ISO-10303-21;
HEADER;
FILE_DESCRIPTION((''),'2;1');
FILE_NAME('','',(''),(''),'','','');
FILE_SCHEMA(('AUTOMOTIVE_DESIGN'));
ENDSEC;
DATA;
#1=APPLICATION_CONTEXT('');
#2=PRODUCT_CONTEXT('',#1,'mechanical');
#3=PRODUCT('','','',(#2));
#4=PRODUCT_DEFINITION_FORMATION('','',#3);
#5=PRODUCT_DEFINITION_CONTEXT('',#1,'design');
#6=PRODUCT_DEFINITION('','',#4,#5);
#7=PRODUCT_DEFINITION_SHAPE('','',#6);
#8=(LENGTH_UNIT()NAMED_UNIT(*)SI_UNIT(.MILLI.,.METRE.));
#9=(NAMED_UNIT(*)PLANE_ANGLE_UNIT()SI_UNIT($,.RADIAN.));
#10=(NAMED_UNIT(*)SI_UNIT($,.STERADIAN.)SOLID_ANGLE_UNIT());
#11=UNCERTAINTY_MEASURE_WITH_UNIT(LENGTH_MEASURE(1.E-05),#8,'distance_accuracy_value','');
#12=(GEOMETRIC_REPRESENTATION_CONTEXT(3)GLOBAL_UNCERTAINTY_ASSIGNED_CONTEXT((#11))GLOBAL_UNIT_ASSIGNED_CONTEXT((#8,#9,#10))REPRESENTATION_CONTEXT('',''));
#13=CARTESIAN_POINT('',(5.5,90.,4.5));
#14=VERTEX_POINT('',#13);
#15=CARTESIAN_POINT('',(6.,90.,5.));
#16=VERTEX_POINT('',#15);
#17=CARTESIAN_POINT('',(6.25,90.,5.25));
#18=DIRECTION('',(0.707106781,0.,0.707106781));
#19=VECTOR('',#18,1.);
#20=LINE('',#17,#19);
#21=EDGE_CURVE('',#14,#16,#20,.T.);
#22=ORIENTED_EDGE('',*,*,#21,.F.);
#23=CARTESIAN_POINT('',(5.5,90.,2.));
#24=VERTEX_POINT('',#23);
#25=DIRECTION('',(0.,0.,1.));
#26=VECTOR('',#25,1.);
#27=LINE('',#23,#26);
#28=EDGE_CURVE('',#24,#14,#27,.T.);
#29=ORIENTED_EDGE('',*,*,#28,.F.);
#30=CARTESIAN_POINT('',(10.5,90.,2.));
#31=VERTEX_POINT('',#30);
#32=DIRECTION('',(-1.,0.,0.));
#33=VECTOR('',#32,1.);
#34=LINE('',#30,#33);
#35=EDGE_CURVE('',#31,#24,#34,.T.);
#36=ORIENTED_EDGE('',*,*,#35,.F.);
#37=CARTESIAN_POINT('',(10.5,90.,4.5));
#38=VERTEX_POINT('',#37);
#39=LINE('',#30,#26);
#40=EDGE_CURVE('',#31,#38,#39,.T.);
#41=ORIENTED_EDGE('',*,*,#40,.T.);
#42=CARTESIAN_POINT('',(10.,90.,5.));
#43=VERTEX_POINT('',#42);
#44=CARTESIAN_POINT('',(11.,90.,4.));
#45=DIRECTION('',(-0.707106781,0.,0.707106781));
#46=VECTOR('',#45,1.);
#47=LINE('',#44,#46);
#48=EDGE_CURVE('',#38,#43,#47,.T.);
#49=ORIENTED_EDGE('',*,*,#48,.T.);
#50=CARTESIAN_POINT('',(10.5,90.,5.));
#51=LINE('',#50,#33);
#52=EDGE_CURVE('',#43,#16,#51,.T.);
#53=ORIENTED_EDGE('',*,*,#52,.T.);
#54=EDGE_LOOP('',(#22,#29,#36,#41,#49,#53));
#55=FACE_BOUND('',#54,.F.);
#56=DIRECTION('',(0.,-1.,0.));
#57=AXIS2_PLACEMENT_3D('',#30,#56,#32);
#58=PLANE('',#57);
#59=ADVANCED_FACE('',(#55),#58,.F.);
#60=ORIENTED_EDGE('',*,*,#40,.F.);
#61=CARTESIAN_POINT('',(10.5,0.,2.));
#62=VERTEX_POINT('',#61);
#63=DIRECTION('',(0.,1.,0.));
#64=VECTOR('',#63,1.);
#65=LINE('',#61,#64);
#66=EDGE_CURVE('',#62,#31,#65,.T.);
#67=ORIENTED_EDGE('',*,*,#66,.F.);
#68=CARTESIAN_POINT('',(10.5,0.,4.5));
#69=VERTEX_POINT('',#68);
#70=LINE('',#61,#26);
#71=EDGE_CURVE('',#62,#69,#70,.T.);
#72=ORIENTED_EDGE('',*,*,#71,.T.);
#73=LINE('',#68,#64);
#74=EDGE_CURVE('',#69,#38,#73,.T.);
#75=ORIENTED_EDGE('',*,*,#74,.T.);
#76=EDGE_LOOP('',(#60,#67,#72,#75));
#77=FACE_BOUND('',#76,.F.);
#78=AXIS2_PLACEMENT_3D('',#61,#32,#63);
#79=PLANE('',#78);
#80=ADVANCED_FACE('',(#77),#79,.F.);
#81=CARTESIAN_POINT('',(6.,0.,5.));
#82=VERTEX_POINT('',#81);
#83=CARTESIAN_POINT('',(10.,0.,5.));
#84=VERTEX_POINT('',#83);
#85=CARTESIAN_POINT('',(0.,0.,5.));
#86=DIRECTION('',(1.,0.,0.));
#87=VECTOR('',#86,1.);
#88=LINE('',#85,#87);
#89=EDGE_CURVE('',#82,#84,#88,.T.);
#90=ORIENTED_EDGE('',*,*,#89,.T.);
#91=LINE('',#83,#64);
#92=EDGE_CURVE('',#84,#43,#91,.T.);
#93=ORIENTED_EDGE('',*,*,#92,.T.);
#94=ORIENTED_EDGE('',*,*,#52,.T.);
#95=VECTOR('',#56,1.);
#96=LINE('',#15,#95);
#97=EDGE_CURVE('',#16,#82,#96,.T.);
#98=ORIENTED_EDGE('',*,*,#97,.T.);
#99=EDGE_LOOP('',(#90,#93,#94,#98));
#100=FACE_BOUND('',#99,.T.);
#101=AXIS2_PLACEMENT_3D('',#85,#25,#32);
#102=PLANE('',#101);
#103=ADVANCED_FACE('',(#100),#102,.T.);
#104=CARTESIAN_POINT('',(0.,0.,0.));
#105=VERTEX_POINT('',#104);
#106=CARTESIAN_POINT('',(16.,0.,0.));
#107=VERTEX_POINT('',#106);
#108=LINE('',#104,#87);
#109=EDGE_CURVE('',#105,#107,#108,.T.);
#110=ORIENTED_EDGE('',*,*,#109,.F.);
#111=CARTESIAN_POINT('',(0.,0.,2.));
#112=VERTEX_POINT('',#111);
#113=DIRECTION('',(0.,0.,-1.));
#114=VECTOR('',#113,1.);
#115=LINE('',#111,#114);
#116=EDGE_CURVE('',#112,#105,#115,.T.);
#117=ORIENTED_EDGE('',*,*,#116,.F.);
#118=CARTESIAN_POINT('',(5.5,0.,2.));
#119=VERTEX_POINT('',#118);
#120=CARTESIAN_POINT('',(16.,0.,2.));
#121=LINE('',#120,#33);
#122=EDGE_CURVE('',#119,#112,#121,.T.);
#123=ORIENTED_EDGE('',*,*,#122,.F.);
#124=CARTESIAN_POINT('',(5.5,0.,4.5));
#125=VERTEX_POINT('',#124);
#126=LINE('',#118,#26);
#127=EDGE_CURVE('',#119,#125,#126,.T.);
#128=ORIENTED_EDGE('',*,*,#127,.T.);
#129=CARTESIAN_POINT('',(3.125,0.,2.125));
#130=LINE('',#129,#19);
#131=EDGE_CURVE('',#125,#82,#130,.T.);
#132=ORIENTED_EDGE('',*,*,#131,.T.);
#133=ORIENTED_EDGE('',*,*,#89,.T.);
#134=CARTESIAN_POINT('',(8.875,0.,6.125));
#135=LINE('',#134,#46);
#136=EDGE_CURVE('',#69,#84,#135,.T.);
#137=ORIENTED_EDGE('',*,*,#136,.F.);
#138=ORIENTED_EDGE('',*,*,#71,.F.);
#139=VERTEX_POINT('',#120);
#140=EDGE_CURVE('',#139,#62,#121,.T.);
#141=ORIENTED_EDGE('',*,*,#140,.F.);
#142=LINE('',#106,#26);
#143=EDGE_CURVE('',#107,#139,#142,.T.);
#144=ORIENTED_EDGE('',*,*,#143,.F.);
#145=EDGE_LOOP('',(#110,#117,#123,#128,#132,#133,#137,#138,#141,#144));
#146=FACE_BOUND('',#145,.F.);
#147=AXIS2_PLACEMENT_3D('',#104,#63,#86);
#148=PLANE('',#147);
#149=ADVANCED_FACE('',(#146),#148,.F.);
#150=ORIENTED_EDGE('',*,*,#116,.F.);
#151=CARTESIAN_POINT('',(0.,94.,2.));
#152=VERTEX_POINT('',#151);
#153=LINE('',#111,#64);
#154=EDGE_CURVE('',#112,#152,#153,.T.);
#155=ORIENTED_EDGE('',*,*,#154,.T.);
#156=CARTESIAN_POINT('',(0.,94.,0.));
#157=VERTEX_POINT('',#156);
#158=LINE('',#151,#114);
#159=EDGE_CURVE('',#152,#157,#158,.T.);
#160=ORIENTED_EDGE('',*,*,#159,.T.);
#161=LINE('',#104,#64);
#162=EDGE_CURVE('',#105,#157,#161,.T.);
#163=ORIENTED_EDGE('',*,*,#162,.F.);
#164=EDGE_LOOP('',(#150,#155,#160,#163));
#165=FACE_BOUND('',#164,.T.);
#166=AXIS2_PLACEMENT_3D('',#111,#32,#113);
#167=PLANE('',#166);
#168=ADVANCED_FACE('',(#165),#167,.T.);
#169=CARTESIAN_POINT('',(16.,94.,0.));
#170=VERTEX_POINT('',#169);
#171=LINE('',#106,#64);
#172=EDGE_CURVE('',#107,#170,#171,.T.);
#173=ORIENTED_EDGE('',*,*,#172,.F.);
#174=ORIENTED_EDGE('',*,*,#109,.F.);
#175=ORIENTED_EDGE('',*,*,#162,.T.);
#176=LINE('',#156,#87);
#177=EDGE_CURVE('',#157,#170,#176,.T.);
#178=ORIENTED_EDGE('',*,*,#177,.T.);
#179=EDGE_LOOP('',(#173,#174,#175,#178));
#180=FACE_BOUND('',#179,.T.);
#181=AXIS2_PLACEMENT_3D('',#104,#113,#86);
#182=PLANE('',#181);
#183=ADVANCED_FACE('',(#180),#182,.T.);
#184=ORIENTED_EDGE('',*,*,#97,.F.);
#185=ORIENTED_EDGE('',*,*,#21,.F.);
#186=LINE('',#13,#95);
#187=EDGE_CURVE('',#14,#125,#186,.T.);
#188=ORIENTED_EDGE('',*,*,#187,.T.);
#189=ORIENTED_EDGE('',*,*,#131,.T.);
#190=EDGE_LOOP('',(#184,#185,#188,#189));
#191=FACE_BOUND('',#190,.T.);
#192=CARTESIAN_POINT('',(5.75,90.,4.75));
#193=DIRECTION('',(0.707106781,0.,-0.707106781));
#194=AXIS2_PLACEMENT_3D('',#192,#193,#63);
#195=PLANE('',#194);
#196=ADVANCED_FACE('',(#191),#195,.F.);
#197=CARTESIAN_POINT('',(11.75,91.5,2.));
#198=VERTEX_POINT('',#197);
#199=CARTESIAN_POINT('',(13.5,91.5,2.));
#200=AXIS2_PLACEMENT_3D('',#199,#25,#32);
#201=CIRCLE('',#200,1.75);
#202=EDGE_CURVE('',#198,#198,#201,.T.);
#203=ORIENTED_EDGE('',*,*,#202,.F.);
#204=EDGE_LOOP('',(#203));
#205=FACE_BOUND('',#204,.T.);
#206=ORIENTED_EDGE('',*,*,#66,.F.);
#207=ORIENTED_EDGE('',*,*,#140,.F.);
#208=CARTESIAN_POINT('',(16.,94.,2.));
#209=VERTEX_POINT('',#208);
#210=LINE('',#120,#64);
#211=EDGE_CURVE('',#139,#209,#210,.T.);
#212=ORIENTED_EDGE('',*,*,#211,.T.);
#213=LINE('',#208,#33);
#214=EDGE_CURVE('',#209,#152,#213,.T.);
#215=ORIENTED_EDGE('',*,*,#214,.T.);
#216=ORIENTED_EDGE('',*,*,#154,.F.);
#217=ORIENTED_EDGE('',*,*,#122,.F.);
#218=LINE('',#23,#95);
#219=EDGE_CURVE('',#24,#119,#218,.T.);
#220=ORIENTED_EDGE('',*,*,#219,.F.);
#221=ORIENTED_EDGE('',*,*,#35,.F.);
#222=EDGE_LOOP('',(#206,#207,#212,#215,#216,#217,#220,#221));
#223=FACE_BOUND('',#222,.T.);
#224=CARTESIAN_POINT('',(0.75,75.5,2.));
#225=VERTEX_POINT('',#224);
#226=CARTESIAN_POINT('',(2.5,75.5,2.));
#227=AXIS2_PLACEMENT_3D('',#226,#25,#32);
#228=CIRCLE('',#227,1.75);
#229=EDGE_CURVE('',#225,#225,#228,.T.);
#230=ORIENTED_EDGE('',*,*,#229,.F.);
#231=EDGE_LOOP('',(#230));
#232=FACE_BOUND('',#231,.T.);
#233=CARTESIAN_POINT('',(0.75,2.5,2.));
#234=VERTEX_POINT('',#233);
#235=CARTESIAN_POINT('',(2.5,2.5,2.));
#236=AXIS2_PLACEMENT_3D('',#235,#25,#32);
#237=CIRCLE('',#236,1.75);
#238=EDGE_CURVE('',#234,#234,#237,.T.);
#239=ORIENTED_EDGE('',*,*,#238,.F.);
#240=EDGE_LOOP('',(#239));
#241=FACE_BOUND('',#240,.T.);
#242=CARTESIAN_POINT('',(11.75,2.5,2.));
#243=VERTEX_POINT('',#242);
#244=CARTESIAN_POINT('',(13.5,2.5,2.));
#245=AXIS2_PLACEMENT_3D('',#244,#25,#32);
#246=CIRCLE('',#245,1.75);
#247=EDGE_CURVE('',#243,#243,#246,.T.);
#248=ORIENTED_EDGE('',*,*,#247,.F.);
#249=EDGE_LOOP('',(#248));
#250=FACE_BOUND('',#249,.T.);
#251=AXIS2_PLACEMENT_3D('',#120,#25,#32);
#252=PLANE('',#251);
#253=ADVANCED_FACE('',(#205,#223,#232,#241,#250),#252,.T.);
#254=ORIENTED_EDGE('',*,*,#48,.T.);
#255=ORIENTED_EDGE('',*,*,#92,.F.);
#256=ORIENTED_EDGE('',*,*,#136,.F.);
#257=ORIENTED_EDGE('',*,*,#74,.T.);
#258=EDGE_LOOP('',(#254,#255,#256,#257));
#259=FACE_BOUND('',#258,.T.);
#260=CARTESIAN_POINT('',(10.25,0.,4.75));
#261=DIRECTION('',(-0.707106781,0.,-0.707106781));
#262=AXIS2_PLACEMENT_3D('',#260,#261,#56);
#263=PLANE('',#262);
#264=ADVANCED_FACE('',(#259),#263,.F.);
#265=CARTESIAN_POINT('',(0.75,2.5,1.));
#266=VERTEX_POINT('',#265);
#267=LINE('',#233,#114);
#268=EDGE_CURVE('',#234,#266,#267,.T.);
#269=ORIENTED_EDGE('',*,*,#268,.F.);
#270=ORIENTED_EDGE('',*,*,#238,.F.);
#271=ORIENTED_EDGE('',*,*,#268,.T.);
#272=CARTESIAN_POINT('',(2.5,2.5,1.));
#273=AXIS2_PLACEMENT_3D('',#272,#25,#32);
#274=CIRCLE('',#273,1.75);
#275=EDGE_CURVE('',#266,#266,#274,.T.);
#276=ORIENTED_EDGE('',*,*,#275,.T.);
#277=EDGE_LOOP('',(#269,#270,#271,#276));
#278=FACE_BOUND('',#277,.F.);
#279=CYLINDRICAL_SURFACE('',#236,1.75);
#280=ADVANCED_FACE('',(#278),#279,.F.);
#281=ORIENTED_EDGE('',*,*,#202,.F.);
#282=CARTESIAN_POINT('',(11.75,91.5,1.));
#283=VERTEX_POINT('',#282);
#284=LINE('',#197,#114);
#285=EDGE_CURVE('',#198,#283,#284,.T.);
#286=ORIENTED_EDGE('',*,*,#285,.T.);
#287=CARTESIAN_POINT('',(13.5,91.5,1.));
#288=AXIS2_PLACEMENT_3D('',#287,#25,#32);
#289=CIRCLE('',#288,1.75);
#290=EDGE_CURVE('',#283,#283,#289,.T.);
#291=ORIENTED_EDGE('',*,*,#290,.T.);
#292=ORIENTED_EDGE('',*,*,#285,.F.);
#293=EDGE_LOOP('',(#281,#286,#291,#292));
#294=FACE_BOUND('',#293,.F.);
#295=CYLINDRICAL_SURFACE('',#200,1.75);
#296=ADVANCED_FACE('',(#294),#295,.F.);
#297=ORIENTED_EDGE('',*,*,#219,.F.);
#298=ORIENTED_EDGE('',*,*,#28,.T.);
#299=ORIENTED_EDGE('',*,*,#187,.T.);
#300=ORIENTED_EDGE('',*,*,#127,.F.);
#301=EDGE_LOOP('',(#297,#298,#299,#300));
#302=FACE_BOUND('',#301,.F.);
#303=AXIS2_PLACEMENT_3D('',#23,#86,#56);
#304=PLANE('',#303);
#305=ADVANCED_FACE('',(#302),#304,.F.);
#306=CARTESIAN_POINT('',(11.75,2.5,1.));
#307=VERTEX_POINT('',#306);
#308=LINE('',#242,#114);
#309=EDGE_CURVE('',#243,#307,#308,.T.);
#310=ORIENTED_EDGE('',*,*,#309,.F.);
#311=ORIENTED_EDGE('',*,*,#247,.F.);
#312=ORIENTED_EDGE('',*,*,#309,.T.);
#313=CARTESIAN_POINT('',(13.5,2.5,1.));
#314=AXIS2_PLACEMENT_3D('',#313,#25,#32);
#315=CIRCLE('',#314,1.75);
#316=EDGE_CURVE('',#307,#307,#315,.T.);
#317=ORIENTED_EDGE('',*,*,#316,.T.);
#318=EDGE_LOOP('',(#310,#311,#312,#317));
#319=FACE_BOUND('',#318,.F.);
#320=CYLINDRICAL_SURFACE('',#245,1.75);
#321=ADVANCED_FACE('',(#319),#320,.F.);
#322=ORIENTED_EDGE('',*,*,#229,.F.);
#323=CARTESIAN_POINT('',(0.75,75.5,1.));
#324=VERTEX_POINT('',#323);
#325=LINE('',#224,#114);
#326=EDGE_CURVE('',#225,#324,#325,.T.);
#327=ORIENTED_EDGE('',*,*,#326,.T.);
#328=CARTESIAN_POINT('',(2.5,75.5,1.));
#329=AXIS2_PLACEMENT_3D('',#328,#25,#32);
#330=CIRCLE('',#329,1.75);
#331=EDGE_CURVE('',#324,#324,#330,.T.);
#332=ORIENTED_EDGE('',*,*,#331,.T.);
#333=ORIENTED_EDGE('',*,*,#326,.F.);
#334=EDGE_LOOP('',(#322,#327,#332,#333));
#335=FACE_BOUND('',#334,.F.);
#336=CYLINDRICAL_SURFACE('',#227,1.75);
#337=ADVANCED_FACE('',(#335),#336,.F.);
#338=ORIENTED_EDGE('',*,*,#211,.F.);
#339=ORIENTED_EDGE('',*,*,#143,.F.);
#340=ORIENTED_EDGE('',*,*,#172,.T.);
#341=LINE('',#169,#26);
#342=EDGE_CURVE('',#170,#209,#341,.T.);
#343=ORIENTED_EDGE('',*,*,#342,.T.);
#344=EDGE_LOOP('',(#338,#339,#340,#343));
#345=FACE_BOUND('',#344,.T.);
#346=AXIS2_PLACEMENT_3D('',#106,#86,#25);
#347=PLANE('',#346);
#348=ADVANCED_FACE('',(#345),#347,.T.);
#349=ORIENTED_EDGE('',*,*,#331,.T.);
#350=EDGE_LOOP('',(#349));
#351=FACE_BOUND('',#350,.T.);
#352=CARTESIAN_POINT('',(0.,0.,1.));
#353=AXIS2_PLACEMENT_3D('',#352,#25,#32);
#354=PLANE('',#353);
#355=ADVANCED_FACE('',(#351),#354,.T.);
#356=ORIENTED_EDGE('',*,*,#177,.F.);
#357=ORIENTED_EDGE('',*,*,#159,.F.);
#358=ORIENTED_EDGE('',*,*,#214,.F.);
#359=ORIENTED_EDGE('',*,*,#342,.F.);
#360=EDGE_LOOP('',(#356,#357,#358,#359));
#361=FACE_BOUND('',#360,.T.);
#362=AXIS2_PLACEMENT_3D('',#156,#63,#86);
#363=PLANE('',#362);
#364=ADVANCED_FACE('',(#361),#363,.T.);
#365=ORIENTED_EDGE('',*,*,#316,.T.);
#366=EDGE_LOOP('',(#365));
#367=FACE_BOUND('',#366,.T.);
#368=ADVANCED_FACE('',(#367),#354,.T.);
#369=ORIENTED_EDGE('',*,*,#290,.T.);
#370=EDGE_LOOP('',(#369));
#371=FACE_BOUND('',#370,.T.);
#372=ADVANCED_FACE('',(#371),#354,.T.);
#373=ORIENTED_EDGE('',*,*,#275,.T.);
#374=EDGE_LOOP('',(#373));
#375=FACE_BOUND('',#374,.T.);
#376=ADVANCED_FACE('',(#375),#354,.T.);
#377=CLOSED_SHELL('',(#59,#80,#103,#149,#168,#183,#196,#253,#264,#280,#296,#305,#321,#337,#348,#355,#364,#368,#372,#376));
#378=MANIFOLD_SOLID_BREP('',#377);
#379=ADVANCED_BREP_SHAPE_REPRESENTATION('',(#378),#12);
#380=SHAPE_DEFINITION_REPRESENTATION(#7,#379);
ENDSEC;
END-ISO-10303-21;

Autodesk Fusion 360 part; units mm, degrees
sketch "3D-printed conduit top outline" plane through (0, 0, 0) normal (0, 1, 0) x (1, 0, 0)
  line L0 (0, 0) -> (16, 0)
  line L1 (16, 0) -> (16, -2)
  line L2 (16, -2) -> (0, -2)
  line L3 (0, -2) -> (0, 0)
  dimension "d7" = 16
  dimension "d8" = 2
extrude "Extrude1" add sketch "3D-printed conduit top outline" along normal blind 94
sketch "Magnet holes" plane through (0, 0, 2) normal (0, 0, 1) x (-1, 0, 0)
  line L0 (0, 0) -> (-16, 0)
  line L1 (-16, 0) -> (-16, -94)
  line L2 (-16, -94) -> (0, -94)
  line L3 (0, -94) -> (0, 0)
  circle A0 centre (-2.5, -2.5) radius 2.5
  circle A1 centre (-13.5, -2.5) radius 2.5
  circle A2 centre (-2.5, -2.5) radius 1.75
  circle A3 centre (-13.5, -2.5) radius 1.75
  circle A4 centre (-2.5, -75.5) radius 1.75
  circle A5 centre (-2.5, -75.5) radius 2.5
  circle A6 centre (-13.5, -91.5) radius 2.5
  circle A7 centre (-13.5, -91.5) radius 1.75
  dimension "d11" = 5
  dimension "d12" = 5
  dimension "d13" = 3.5
  dimension "d14" = 3.5
  dimension "d17" = 0
  dimension "d18" = -73
  dimension "d32" = 0
  dimension "d33" = -89
extrude "Extrude4" cut sketch "Magnet holes" against normal blind 1 contours A2 | A3 | A4 | A7
sketch "Support rib" plane through (0, 0, 2) normal (0, 0, 1) x (-1, 0, 0)
  circle A0 centre (-13.5, -2.5) radius 1.75
  circle A1 centre (-2.5, -75.5) radius 1.75
  circle A2 centre (-2.5, -2.5) radius 1.75
  circle A3 centre (-13.5, -91.5) radius 1.75
  line L0 (0, 0) -> (-16, 0)
  line L1 (-16, 0) -> (-16, -94)
  line L2 (-16, -94) -> (0, -94)
  line L3 (0, -94) -> (0, 0)
  line L4 (-5.5, 0) -> (-10.5, 0)
  line L5 (-10.5, 0) -> (-10.5, -90)
  line L6 (-10.5, -90) -> (-5.5, -90)
  line L7 (-5.5, -90) -> (-5.5, 0)
  dimension "d36" = 5
  dimension "d37" = 5.5
  dimension "d38" = 5.5
  dimension "d39" = 4
extrude "Extrude3" add sketch "Support rib" along normal blind 3 contours L0 L4 L5 L6 L7
chamfer "Chamfer2" distance 0.5 angle 45 2 edges at (10.5, 45, 5) (5.5, 45, 5)
equation "conduit_length = 94 mm"
equation "conduit_width = 16 mm"
equation "conduit_wall_thickness = 2 mm"
equation "magnet_diameter = 3 mm"
equation "magnet_height = 1 mm"
equation "number_of_magnets_on_a_side = 2"
equation "d7 = conduit_width"
equation "d8 = conduit_wall_thickness"
equation "d9 = conduit_length"
equation "d11 = magnet_diameter + 2 mm"
equation "d12 = magnet_diameter + 2 mm"
equation "d13 = magnet_diameter + 0.5 mm"
equation "d14 = magnet_diameter + 0.5 mm"
equation "d16 = number_of_magnets_on_a_side"
equation "d18 = -conduit_length + ( magnet_diameter + 2 mm ) + ( conduit_width )"
equation "rib_width = 5 mm"
equation "rib_height = 3 mm"
equation "d26 = rib_height"
equation "rib_chamfer = 0.5 mm"
equation "d31 = number_of_magnets_on_a_side"
equation "d33 = -conduit_length + ( magnet_diameter + 2 mm )"
equation "d34 = -magnet_height"
equation "d36 = rib_width"
equation "d37 = ( conduit_width - rib_width ) / 2"
equation "d39 = 2 * conduit_wall_thickness"
equation "d40 = rib_chamfer"
